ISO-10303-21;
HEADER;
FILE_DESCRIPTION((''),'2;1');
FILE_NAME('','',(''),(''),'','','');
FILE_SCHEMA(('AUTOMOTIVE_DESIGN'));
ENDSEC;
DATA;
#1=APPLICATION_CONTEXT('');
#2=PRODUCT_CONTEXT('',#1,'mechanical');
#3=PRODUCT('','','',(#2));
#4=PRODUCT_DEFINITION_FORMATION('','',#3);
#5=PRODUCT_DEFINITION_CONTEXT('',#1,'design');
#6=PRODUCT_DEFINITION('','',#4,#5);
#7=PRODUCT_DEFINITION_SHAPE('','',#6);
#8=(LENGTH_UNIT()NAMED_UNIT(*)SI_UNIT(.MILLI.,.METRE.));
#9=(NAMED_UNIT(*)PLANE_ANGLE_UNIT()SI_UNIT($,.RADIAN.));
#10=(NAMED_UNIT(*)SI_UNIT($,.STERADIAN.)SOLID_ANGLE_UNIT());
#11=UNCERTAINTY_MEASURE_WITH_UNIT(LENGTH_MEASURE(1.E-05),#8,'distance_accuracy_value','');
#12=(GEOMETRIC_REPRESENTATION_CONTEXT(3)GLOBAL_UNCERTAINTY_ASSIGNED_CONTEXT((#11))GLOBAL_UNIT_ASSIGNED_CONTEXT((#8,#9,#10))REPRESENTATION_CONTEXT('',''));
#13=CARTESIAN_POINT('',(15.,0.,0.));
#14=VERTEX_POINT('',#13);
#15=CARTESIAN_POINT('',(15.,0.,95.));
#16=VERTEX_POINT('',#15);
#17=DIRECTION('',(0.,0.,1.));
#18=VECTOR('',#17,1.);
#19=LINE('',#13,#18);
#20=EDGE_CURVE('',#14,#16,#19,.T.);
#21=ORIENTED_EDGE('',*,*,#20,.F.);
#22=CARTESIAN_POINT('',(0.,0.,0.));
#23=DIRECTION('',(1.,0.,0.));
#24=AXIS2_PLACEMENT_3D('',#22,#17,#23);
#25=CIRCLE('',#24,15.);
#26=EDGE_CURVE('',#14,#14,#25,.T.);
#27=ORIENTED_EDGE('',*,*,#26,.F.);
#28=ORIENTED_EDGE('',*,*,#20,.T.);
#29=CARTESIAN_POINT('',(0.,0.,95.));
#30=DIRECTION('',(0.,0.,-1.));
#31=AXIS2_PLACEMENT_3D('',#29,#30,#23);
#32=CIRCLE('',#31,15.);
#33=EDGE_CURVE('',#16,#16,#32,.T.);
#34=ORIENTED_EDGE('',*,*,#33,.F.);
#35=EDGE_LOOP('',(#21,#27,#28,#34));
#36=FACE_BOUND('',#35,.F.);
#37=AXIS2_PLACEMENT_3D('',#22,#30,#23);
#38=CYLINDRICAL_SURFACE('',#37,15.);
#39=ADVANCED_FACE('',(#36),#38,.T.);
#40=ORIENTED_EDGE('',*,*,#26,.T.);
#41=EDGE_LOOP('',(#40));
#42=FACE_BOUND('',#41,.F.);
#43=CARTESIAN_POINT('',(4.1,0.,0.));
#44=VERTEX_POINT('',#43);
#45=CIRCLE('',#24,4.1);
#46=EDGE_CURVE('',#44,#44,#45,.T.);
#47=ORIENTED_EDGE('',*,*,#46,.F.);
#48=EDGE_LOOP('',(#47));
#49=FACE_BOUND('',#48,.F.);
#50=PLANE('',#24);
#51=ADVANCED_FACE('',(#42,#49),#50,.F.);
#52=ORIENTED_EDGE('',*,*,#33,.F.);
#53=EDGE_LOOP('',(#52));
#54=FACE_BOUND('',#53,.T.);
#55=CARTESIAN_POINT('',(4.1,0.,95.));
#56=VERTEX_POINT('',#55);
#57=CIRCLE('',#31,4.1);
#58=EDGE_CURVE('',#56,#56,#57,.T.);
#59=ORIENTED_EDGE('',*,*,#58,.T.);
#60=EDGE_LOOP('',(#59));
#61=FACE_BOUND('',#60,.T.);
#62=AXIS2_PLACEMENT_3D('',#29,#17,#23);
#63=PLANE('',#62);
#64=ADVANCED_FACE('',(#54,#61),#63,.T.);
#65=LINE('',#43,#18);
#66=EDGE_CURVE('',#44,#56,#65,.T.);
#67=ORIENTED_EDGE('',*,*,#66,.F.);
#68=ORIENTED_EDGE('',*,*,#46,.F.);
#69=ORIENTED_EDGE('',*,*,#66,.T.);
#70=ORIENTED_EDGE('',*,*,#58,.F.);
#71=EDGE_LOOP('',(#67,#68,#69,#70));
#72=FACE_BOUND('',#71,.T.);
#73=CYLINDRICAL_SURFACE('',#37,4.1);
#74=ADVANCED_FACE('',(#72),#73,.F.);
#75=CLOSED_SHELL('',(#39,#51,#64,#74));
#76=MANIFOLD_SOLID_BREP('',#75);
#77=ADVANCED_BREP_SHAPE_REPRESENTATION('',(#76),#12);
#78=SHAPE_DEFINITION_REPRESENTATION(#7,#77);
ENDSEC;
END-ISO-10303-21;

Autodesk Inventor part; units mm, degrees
ref_plane "YZ Plane" through (0, 0, 0) normal (1, 0, 0) x (0, 1, 0)
ref_plane "XZ Plane" through (0, 0, 0) normal (0, 1, 0) x (-1, 0, 0)
ref_plane "XY Plane" through (0, 0, 0) normal (0, 0, 1) x (1, 0, 0)
sketch "Náčrt1" plane through (0, 0, 0) normal (0, 0, 1) x (1, 0, 0)
  line L0 (0, 21) -> (0, -21) projected
  line L1 (-21, 0) -> (21, 0) projected
  circle A0 centre (0, 0) radius 15
  circle A1 centre (0, 0) radius 4.1
  dimension "d0" = 30
  dimension "d1" = 8.2
extrude "Vysunutí1" add sketch "Náčrt1" along normal blind 95 contours A0 L1 A1 L0 | L0 A1 L1 A0 | A0 L0 A1 L1 | L1 A1 L0 A0
properties part number "valec_pas_3D tisk"
